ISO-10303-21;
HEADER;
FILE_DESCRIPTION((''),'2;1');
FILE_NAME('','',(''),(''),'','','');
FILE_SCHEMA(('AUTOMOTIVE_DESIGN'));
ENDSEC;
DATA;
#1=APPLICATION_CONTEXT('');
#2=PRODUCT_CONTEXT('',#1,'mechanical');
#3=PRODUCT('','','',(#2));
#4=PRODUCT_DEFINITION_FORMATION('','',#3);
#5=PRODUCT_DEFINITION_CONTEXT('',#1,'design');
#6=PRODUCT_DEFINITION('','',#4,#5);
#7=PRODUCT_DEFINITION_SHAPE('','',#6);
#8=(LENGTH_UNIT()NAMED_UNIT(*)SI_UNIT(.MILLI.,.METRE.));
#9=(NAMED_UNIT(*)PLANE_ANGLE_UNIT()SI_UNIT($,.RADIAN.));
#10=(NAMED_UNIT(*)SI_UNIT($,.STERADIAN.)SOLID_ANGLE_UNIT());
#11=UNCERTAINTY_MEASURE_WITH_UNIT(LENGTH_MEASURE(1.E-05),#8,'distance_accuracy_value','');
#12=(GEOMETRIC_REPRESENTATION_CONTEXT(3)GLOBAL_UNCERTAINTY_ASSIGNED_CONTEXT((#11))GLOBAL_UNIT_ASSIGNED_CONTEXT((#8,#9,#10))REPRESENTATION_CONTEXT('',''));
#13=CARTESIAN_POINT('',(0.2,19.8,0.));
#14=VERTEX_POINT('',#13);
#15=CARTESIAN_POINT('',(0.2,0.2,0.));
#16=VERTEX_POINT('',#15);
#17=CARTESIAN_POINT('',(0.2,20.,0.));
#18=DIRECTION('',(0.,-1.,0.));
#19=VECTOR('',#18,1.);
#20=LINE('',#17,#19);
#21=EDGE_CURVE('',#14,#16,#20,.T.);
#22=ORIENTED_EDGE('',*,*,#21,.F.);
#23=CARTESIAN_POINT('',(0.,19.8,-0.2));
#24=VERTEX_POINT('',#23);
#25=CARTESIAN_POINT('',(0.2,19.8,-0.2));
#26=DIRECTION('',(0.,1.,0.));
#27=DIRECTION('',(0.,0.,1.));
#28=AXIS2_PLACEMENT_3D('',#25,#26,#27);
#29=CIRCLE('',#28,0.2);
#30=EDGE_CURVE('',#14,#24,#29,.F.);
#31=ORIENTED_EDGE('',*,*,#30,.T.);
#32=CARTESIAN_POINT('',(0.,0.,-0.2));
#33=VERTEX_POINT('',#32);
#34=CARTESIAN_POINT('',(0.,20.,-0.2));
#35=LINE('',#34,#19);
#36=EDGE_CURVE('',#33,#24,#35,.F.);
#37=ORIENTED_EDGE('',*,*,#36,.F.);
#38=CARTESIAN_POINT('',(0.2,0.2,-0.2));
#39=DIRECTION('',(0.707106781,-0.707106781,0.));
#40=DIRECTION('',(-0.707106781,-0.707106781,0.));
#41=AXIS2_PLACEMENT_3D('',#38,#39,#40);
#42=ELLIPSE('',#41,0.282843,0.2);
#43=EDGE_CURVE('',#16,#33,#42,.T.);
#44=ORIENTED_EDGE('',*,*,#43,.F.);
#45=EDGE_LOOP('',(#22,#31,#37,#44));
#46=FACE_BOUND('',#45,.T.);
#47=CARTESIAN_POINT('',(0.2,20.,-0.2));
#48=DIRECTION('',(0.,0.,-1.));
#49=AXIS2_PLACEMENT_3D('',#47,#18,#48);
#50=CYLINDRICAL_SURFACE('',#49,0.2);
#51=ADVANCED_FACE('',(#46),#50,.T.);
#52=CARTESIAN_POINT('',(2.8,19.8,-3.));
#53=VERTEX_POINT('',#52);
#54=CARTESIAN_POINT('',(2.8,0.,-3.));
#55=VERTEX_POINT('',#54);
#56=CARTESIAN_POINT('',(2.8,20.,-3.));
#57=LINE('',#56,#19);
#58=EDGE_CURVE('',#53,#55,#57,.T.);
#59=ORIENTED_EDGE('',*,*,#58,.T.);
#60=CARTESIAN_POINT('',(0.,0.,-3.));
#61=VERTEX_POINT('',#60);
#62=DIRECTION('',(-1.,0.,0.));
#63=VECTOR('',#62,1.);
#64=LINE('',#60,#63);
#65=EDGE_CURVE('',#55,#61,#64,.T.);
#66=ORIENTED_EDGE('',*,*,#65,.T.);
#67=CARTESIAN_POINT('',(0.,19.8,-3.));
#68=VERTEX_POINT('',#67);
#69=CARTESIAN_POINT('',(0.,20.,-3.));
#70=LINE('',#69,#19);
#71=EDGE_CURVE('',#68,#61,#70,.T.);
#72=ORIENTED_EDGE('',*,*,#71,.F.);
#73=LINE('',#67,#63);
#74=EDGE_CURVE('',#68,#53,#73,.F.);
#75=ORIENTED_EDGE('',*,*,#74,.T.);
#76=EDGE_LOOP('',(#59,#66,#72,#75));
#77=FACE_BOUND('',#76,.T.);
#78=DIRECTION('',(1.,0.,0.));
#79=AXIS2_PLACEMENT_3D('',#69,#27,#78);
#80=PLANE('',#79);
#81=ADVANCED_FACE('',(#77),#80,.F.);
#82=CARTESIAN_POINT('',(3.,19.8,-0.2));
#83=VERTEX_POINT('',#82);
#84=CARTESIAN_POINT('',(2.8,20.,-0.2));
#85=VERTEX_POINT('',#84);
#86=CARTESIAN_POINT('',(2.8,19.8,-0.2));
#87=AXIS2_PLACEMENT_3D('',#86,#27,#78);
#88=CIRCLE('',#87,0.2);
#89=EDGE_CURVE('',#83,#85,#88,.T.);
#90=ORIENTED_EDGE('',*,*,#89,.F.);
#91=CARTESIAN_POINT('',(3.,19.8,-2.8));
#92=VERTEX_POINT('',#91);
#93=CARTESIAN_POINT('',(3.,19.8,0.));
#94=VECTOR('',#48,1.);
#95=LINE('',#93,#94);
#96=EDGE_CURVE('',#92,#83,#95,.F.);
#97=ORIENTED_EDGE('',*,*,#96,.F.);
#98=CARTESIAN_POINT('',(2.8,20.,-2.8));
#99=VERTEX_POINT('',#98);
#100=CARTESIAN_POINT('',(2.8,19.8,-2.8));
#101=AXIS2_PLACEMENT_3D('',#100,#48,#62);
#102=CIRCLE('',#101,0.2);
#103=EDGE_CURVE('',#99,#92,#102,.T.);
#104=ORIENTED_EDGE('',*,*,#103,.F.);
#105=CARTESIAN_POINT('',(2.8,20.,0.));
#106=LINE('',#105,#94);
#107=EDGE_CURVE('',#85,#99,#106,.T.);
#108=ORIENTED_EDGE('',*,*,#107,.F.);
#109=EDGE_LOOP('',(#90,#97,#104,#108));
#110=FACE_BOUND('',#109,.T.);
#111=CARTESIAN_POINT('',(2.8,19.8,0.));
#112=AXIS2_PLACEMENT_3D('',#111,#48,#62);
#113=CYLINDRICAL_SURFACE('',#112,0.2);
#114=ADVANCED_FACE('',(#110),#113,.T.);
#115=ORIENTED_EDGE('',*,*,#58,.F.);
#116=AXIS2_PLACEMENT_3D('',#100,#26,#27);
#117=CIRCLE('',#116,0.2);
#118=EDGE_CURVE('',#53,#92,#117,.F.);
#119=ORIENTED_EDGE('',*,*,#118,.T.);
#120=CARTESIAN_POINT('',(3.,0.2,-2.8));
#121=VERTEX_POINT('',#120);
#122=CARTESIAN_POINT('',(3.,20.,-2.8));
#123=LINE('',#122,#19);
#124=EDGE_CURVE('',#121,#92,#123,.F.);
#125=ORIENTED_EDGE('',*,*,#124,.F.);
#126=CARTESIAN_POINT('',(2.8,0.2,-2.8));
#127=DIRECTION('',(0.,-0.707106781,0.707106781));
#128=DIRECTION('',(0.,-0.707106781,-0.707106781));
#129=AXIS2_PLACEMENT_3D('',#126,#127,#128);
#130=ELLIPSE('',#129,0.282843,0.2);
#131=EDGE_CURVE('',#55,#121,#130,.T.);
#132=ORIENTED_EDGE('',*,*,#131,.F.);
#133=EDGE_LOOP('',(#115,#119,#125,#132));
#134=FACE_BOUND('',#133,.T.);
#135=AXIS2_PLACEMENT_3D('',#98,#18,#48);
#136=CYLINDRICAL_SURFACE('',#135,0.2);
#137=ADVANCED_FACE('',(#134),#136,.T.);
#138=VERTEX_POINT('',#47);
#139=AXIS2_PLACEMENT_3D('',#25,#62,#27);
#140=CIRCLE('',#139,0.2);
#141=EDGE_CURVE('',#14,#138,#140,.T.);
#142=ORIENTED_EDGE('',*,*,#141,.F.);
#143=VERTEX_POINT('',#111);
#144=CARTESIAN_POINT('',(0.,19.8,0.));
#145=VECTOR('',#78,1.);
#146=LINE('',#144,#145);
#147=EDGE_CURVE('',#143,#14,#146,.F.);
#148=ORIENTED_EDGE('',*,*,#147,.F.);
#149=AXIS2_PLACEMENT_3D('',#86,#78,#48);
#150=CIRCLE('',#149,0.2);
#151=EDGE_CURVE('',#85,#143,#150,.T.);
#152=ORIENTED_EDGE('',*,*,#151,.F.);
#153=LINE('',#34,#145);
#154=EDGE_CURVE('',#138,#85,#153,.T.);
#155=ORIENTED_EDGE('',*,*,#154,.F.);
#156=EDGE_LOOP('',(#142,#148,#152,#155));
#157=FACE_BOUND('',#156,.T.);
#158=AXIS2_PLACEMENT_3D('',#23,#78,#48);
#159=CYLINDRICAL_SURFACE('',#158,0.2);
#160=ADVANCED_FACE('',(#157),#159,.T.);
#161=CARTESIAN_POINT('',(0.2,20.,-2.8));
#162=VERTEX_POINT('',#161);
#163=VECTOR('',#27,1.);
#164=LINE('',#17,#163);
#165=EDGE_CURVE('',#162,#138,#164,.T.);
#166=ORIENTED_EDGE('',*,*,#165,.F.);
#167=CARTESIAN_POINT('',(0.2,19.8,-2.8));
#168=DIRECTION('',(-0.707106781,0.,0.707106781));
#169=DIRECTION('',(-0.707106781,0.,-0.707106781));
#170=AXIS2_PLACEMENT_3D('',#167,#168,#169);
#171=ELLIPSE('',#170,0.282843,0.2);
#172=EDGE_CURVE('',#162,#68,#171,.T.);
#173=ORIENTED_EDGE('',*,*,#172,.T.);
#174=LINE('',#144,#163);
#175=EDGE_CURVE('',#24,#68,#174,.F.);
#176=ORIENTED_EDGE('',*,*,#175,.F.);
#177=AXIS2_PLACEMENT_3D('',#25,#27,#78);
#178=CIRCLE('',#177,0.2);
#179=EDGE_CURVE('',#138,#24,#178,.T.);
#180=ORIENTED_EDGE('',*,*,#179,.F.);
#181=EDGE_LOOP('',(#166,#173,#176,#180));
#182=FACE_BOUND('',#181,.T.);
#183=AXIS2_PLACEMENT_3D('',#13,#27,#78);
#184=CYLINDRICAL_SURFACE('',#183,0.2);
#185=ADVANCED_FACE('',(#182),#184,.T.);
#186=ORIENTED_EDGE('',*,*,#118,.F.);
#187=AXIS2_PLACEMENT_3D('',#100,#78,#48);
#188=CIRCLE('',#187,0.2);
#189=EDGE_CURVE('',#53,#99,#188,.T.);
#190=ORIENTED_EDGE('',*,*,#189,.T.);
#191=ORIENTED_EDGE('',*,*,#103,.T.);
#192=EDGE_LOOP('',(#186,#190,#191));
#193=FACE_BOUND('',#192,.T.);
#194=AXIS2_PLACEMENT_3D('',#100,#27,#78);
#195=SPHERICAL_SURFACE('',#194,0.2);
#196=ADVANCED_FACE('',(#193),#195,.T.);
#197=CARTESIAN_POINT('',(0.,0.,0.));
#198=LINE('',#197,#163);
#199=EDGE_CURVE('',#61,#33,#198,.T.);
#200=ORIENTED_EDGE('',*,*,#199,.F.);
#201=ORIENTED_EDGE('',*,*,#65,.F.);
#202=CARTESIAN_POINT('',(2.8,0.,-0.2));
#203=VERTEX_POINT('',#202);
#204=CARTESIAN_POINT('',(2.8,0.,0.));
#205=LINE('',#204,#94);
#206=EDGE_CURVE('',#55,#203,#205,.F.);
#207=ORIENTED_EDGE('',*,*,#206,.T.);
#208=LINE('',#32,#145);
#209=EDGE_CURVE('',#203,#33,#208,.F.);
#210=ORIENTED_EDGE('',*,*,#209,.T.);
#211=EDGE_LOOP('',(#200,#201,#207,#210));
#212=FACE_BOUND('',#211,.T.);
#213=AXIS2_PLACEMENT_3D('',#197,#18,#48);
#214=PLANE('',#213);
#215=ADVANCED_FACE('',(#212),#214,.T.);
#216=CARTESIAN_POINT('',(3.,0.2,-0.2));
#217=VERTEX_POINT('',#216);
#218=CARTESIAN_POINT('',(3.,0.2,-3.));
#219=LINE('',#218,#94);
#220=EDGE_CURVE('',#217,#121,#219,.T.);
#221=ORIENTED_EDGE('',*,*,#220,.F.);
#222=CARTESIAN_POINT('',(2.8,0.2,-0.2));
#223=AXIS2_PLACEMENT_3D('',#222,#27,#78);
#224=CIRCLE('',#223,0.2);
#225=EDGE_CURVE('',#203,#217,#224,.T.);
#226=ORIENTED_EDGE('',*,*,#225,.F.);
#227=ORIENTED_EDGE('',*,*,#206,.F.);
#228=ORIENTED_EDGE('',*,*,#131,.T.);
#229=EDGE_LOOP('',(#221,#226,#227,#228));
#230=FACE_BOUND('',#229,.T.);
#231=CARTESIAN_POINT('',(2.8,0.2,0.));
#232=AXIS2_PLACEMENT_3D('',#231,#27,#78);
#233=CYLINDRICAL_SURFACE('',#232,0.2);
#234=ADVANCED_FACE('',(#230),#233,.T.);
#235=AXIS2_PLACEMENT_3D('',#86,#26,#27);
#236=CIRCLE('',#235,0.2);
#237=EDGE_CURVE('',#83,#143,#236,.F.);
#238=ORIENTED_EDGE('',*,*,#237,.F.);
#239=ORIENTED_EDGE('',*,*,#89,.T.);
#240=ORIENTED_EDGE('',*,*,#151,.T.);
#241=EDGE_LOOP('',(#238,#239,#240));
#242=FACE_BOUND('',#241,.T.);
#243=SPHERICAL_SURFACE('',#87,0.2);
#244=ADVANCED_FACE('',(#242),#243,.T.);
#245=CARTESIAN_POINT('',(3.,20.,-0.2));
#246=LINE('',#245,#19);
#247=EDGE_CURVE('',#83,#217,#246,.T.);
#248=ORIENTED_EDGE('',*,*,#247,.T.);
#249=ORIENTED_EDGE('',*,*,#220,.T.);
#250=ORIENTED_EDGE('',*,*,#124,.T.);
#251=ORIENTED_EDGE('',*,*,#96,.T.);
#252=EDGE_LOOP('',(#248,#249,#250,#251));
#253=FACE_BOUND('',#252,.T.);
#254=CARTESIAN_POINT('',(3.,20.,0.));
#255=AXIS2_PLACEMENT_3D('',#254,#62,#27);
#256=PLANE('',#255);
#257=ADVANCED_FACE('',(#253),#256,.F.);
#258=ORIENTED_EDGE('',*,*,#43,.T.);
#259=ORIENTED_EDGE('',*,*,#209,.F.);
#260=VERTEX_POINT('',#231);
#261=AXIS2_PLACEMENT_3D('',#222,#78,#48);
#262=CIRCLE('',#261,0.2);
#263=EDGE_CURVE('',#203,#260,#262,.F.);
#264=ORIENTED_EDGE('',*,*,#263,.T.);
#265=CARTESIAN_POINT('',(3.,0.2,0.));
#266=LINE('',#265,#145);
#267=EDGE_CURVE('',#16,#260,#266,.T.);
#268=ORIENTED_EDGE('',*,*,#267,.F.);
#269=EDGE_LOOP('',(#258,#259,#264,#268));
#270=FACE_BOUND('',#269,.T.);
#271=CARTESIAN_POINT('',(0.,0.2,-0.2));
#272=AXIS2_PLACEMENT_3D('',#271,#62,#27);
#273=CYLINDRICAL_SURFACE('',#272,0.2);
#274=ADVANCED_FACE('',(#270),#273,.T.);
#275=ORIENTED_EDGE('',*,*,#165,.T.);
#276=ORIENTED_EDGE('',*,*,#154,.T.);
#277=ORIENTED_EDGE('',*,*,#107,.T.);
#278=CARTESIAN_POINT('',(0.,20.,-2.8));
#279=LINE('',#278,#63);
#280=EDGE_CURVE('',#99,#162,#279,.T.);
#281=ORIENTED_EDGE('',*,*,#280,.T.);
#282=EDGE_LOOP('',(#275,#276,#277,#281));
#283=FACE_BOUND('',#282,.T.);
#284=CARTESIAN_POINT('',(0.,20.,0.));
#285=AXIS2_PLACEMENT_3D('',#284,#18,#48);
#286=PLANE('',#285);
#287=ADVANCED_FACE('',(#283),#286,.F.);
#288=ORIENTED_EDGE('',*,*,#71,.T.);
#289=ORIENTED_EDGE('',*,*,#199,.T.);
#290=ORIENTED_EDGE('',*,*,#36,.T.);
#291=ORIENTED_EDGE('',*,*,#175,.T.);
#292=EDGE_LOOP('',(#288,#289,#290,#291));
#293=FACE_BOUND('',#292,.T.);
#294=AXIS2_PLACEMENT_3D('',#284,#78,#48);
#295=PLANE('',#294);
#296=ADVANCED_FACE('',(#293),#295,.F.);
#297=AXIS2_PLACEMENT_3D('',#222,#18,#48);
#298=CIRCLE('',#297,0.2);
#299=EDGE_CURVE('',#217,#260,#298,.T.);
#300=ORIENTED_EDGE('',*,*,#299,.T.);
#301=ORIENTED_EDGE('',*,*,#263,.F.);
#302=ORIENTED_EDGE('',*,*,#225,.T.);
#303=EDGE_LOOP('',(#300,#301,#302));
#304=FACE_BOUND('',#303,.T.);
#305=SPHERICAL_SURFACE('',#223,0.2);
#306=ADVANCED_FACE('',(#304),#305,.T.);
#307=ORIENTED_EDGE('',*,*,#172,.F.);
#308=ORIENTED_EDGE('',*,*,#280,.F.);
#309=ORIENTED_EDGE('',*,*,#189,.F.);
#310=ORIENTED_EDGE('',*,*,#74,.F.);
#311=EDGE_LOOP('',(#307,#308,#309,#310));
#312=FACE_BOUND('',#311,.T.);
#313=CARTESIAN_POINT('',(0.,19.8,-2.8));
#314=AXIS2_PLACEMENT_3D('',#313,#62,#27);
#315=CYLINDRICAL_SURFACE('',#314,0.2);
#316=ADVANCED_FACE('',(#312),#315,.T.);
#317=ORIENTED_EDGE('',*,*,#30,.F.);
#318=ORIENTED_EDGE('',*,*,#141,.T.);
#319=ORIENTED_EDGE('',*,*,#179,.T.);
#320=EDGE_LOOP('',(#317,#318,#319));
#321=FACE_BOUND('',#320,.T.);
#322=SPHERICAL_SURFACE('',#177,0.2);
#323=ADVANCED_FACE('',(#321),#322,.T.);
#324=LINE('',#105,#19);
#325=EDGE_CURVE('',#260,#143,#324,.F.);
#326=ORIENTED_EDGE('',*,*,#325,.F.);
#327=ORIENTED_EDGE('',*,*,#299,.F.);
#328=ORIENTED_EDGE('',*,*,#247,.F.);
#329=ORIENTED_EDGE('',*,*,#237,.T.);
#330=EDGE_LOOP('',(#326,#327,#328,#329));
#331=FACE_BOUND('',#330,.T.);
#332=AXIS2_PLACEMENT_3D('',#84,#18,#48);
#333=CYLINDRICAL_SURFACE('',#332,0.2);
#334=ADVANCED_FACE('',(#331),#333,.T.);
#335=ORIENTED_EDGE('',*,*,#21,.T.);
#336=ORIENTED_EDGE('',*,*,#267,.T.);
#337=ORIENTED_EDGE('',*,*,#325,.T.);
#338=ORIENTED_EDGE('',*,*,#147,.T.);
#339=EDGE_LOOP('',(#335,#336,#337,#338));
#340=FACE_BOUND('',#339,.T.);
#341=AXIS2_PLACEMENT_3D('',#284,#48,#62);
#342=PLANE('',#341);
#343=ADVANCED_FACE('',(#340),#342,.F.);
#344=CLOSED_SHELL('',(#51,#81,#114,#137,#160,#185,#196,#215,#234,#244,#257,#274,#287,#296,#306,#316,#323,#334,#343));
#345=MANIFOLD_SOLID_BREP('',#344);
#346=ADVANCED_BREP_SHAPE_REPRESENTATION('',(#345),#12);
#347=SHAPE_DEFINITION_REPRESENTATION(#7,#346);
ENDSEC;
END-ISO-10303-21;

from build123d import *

# Parameters (mm, degrees)
SKETCH1_W           = 3
SKETCH1_H           = 3
BOSS_EXTRUDE1_DEPTH = 20
FILLET1_R           = 0.2


with BuildPart() as part:
    # Sketch1 → Boss-Extrude1 (new body)
    with BuildSketch(Plane(origin=(0, 0, 0), x_dir=(1, 0, 0), z_dir=(0, 1, 0))):
        with Locations((1.5, 1.5)):
            Rectangle(SKETCH1_W, SKETCH1_H)
    extrude(amount=BOSS_EXTRUDE1_DEPTH)

    # Fillet1
    fillet1_edges = [part.edges().sort_by_distance(p)[0] for p in [
        (3, 20, -1.5),
        (1.5, 20, -3),
        (0, 20, -1.5),
        (3, 0, -1.5),
        (1.5, 0, 0),
        (1.5, 20, 0),
        (3, 10, -3),
        (3, 10, 0),
        (0, 10, 0),
    ]]
    fillet(fillet1_edges, radius=FILLET1_R)


solid = part.part
